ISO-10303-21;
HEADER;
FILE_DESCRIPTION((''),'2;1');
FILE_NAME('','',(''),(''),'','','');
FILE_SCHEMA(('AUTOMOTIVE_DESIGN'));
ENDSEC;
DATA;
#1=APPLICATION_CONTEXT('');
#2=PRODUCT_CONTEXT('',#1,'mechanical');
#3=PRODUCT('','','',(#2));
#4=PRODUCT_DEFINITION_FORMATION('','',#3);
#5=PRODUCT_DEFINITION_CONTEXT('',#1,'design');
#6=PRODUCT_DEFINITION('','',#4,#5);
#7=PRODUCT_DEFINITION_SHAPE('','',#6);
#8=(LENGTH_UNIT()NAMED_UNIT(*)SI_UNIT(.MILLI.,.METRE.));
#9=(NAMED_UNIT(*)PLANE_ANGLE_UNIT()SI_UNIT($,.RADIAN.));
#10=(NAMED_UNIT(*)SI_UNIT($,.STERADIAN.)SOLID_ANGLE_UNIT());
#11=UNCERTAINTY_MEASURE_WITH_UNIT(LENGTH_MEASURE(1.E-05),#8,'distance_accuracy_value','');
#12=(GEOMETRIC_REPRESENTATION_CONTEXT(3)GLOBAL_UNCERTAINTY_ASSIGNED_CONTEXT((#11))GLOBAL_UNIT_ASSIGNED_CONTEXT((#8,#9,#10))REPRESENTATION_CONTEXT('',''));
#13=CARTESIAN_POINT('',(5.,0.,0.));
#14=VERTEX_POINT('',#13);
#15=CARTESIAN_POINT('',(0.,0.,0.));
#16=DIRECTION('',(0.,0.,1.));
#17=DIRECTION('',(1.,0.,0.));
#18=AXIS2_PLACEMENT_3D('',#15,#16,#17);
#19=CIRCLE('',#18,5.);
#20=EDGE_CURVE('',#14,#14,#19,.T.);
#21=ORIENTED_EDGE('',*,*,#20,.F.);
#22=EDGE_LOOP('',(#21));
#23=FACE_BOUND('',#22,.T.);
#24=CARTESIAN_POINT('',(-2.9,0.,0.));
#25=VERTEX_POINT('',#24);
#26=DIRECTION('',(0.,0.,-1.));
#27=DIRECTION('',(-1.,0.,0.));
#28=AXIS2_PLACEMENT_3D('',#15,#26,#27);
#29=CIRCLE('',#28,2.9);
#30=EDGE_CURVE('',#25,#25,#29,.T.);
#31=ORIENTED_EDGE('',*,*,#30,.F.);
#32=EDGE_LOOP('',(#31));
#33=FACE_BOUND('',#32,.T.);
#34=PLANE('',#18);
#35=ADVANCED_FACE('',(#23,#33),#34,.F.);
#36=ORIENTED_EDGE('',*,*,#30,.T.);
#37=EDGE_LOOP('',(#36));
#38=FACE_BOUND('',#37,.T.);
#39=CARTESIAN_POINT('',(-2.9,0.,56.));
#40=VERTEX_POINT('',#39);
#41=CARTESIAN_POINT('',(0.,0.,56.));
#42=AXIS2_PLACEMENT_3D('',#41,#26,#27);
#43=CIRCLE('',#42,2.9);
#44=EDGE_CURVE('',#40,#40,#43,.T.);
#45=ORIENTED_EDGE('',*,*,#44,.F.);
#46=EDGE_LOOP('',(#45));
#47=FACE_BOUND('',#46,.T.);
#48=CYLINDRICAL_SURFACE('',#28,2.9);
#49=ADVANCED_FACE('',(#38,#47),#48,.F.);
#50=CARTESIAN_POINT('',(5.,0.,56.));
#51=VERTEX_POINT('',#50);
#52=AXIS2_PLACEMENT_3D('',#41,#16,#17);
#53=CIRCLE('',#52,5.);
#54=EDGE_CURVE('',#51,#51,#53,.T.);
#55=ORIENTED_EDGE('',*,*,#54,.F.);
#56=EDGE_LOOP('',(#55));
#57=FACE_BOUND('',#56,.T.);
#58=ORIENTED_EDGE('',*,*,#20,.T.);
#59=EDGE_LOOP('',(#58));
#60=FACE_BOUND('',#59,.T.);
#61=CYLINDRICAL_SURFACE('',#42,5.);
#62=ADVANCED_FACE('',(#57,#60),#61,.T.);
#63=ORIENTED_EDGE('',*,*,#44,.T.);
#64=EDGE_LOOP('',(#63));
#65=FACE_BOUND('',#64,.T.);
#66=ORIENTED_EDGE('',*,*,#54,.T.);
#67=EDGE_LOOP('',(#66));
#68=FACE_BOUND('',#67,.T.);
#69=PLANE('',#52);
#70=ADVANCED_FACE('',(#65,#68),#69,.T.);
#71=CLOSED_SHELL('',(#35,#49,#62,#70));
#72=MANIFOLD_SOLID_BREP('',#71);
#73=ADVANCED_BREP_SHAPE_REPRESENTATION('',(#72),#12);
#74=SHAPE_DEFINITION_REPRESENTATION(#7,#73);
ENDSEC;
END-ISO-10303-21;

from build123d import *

# Parameters (mm, degrees)
ESBO_O1_R                = 5
RESSALTO_EXTRUS_O1_DEPTH = 56
FURO_COM_FOLGA_DE_M51_D  = 5.8


with BuildPart() as part:
    # Esboço1 → Ressalto-extrusão1 (new body)
    with BuildSketch(Plane.XY):
        Circle(ESBO_O1_R)
    extrude(amount=RESSALTO_EXTRUS_O1_DEPTH)

    # Furo com folga de M51 (through all)
    with Locations(Plane(origin=(0, 0, 0), x_dir=(-1, 0, 0), z_dir=(0, 0, -1))):
        with Locations((0, 0)):
            Hole(FURO_COM_FOLGA_DE_M51_D / 2)


solid = part.part
